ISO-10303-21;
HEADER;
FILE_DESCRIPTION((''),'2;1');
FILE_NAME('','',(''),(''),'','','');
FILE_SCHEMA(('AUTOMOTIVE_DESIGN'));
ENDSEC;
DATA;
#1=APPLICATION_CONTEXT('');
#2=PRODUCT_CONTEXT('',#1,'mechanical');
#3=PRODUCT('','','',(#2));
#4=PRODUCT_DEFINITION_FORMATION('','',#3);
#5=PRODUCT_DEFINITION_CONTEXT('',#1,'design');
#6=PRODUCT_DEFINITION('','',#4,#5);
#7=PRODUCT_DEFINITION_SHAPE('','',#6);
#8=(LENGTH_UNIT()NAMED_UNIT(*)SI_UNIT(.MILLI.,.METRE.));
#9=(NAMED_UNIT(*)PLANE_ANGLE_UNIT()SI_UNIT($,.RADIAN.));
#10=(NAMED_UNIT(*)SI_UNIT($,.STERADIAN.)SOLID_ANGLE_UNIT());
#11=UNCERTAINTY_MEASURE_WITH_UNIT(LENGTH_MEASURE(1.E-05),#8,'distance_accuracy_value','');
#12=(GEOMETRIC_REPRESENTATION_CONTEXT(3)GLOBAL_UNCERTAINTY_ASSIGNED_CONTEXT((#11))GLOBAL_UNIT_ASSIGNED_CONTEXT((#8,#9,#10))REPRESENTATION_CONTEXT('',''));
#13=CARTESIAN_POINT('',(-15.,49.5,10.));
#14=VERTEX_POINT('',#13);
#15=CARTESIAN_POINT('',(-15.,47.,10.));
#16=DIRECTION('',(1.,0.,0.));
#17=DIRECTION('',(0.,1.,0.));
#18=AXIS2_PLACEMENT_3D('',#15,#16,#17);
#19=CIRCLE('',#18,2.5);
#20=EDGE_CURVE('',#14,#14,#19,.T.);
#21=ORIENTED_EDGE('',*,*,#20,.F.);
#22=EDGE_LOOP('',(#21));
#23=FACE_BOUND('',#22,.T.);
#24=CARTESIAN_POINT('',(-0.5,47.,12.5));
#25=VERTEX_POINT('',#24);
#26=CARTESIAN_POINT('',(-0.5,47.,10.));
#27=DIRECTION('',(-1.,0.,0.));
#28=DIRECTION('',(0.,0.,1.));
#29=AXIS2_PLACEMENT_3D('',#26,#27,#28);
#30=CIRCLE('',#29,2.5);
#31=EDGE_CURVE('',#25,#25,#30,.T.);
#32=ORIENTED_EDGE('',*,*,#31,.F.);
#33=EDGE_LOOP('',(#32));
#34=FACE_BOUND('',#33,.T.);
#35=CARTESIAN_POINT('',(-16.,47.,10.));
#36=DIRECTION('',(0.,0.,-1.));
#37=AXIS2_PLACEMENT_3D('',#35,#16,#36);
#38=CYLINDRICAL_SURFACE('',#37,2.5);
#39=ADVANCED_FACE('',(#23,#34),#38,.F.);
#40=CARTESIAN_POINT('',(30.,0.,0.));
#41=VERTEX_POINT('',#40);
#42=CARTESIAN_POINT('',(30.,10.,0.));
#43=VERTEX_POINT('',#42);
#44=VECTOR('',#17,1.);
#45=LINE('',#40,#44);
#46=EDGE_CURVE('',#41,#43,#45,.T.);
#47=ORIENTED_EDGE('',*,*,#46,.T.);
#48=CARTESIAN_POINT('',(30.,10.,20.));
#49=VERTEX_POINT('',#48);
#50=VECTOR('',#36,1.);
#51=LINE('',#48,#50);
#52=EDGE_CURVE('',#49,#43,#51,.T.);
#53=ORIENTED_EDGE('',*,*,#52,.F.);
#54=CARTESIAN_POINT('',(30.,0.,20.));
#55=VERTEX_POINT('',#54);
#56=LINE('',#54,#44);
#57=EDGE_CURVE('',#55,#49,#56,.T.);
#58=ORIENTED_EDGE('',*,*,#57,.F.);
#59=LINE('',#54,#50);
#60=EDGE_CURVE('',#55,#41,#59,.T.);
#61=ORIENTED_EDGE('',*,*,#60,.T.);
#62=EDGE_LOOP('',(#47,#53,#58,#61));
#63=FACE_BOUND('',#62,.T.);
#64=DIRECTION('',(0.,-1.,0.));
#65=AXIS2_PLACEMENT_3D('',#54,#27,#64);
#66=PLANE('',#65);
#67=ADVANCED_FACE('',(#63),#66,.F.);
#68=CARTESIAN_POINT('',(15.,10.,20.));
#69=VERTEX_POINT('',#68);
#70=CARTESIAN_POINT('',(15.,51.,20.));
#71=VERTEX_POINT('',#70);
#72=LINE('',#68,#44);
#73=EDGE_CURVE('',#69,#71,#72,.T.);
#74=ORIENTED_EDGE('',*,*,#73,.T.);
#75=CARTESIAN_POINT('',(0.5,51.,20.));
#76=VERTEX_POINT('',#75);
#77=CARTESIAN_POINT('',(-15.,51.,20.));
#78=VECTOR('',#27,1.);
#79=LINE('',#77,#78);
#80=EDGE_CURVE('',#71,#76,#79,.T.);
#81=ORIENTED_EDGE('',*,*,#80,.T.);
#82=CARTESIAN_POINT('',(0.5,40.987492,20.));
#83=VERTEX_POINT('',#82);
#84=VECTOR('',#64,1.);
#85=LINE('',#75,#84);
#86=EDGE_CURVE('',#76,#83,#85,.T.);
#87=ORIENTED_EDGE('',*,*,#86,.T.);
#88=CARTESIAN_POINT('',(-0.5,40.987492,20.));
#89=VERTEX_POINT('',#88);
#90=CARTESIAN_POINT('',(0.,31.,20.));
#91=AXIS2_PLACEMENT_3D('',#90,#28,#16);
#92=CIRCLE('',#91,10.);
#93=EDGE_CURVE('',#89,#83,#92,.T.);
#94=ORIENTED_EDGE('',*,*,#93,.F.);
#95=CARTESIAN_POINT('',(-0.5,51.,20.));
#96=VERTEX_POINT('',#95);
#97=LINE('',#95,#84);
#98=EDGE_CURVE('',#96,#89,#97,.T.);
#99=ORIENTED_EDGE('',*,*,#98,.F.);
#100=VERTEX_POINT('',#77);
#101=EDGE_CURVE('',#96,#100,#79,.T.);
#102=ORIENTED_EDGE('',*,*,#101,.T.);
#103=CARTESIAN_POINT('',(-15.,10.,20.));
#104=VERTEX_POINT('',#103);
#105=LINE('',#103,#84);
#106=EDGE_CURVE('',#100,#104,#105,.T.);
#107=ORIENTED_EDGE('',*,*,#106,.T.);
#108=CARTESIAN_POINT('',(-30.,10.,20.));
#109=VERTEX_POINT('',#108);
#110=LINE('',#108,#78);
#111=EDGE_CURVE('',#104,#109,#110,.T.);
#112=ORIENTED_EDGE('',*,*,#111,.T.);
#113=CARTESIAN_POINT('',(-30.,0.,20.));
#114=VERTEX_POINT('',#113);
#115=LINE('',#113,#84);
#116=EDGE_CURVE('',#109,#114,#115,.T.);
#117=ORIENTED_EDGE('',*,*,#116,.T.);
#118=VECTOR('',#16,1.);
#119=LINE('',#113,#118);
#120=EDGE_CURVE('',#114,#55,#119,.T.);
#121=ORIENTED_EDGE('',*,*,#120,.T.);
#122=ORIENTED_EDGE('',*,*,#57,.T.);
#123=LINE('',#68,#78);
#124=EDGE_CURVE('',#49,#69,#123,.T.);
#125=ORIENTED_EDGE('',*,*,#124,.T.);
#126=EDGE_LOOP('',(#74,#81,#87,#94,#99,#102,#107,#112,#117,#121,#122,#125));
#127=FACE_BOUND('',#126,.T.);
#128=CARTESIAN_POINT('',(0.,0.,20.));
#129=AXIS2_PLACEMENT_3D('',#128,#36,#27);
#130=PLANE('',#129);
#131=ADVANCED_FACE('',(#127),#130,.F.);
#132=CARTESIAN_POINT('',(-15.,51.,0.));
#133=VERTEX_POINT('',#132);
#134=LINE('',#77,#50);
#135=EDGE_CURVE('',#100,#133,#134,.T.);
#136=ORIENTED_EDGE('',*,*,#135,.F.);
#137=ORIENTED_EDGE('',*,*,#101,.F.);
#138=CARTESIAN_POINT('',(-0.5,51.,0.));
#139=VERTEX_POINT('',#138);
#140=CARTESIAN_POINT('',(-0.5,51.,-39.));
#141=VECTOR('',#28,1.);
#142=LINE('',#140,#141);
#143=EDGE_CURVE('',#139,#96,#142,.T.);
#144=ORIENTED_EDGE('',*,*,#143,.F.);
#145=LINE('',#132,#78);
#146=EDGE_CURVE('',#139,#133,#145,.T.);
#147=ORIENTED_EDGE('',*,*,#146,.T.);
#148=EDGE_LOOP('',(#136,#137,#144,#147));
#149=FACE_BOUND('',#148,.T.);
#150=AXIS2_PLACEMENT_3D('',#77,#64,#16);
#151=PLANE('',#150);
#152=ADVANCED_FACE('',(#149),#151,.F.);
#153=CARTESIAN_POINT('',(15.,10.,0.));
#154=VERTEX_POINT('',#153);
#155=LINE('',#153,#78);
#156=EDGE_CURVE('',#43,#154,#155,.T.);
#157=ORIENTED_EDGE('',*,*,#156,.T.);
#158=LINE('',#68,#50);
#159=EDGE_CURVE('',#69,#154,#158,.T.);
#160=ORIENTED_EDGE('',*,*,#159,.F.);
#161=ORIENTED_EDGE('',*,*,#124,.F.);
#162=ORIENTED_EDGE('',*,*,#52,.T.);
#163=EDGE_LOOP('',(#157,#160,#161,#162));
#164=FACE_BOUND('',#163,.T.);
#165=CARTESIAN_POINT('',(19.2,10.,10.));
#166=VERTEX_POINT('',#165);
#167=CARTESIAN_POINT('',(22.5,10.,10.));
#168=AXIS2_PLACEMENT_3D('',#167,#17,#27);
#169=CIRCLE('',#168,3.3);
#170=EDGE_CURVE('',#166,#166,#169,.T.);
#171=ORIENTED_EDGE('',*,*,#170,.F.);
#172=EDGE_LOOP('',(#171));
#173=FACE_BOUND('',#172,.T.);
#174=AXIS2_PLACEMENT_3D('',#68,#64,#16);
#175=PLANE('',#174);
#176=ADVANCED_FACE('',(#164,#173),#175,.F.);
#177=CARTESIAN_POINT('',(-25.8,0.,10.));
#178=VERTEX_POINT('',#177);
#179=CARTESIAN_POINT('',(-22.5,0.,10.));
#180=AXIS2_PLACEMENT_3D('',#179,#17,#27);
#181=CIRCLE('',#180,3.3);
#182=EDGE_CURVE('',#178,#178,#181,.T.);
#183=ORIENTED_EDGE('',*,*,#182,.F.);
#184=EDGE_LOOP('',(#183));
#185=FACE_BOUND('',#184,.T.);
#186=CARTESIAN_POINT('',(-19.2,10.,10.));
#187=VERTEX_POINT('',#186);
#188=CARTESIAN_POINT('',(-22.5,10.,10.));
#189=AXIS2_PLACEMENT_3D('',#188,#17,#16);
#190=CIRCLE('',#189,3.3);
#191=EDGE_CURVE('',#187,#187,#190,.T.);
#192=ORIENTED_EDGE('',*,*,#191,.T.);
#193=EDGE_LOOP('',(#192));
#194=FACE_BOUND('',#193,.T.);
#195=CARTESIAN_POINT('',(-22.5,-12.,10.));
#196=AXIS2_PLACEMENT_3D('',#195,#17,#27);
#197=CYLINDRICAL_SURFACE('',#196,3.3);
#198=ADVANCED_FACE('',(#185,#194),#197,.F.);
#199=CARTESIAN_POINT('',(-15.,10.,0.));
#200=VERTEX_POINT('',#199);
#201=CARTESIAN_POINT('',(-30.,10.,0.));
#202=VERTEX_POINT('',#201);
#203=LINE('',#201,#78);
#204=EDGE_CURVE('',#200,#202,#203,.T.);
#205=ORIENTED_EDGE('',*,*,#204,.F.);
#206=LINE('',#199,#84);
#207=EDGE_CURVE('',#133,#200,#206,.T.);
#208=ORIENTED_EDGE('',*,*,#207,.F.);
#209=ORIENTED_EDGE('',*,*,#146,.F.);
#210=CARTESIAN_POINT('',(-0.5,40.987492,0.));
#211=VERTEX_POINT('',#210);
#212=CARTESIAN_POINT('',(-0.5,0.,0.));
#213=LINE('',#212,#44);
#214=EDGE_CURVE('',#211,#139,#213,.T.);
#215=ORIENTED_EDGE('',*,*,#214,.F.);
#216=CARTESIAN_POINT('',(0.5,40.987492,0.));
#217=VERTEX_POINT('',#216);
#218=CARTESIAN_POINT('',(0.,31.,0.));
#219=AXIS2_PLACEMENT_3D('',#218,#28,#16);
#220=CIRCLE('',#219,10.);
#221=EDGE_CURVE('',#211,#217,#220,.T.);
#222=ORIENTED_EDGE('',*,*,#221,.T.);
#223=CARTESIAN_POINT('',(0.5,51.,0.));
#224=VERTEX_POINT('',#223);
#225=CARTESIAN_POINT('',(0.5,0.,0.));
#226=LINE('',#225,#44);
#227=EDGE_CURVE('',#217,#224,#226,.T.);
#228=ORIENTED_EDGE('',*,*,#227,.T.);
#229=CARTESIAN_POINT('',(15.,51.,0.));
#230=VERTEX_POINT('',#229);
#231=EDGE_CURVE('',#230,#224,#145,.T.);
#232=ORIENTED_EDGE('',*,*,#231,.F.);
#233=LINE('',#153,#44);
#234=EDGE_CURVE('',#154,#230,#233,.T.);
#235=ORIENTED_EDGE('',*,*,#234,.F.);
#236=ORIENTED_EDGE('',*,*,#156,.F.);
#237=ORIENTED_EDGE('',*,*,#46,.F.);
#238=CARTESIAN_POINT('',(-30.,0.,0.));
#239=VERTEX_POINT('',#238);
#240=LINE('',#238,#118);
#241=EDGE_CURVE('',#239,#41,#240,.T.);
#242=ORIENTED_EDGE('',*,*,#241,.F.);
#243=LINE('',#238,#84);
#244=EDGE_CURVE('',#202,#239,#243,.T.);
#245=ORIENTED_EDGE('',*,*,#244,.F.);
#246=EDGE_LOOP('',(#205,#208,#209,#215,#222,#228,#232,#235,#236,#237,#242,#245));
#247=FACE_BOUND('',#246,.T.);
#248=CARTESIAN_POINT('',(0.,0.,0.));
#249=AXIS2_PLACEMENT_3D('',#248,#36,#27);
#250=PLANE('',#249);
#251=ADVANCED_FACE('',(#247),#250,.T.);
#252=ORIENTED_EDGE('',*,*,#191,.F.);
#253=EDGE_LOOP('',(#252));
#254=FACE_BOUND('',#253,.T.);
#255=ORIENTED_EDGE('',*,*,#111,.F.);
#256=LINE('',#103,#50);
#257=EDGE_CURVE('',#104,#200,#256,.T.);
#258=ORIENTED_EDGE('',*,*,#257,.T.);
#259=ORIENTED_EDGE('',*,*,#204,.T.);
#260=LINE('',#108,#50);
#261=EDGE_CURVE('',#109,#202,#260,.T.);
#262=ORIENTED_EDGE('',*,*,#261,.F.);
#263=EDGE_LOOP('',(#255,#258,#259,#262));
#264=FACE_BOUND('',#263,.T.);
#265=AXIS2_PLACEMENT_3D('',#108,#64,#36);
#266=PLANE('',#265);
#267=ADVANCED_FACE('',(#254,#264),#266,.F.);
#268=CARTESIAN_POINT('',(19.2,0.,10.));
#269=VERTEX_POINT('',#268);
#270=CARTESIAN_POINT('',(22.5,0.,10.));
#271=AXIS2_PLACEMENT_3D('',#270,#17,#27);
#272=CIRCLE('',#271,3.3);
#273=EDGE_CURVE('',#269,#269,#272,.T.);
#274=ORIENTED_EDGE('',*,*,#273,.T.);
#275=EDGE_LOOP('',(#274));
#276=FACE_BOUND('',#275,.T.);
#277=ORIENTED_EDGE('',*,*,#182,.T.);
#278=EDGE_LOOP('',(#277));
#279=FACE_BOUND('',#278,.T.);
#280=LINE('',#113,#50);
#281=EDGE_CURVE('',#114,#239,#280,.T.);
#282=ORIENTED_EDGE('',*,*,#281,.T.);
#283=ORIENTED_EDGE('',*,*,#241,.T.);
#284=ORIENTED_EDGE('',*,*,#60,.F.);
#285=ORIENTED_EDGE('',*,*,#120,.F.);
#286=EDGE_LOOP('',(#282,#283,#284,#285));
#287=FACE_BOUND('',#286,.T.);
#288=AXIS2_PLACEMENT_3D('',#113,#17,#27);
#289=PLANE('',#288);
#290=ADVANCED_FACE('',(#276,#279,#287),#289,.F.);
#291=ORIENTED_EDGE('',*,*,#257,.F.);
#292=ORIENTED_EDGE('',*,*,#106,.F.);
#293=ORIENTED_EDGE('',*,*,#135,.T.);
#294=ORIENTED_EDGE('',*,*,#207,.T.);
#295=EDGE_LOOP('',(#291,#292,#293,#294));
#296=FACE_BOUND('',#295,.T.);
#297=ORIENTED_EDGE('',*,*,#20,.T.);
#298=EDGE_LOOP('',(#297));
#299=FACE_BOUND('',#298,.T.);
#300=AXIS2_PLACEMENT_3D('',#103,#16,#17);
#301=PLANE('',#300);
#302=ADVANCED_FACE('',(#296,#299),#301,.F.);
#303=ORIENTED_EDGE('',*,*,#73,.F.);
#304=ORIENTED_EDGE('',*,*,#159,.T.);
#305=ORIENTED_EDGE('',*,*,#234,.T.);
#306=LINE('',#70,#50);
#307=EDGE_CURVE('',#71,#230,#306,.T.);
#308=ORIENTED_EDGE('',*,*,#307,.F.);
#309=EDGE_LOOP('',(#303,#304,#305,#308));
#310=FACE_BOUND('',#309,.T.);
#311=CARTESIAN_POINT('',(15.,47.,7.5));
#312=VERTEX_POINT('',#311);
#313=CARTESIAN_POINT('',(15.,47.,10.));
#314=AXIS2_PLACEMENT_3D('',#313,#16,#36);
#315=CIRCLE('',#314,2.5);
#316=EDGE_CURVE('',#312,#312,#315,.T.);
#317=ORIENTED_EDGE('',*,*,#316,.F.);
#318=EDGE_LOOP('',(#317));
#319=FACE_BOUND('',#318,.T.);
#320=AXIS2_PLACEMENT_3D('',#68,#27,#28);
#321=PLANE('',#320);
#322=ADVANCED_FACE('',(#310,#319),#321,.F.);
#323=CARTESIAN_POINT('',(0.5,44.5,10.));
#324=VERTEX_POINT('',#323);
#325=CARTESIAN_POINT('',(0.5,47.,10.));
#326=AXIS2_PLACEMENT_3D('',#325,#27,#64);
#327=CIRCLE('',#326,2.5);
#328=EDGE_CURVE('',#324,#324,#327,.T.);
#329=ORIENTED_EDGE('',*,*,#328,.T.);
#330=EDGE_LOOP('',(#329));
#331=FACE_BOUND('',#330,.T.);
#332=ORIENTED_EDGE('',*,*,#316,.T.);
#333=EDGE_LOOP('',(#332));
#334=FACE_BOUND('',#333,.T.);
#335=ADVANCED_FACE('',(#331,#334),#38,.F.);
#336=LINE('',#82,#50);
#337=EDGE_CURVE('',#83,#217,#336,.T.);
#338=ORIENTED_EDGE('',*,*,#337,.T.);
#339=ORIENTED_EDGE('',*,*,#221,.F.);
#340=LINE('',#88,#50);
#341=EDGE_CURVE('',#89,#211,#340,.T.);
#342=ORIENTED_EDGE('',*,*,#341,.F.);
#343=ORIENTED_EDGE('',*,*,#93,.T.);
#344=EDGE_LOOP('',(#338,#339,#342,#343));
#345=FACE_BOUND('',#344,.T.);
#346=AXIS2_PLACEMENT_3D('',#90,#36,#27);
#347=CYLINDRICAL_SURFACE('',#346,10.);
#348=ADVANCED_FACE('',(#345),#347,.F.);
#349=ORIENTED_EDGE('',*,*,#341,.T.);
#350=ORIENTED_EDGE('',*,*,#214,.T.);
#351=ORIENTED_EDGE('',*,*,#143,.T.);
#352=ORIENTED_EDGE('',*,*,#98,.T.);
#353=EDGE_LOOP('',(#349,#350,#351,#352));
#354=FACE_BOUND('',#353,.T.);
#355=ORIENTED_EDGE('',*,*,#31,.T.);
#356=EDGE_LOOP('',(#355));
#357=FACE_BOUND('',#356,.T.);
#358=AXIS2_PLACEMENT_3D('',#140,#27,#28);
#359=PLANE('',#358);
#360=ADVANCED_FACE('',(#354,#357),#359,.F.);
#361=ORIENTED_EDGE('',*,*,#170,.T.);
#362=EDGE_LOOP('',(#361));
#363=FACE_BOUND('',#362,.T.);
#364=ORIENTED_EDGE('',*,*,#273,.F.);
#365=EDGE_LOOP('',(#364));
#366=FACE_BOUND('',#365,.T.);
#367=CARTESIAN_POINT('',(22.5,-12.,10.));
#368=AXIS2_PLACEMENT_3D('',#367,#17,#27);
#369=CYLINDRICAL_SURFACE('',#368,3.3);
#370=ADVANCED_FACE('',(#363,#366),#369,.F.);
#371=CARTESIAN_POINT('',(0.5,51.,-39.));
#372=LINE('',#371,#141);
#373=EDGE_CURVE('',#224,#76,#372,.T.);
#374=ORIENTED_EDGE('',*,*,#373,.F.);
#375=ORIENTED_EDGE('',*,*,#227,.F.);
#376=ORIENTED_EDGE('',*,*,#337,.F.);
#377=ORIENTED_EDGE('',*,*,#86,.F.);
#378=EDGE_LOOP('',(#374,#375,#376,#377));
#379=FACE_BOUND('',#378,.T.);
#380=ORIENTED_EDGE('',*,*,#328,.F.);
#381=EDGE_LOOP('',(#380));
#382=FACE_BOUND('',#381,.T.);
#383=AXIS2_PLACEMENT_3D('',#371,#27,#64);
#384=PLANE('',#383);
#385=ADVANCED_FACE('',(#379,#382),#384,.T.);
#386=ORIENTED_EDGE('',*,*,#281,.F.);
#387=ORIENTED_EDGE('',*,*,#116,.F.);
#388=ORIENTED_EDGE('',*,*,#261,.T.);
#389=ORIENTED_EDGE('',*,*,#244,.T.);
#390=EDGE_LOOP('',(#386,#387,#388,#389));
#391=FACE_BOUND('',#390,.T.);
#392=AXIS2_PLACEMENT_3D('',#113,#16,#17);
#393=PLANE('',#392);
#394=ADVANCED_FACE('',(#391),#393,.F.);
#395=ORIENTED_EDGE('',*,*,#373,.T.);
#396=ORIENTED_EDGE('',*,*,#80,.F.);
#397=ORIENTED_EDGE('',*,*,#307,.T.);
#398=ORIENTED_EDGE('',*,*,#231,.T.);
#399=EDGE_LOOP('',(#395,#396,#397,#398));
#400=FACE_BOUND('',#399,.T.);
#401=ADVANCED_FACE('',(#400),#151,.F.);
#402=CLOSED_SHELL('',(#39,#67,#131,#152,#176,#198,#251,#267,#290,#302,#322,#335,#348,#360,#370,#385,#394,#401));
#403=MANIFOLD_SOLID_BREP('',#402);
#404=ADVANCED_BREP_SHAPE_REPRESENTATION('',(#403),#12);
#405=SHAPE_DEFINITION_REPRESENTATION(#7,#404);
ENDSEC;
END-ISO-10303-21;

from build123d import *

# Parameters (mm, degrees)
SKETCH1_R           = 10
BOSS_EXTRUDE1_DEPTH = 20
SKETCH3_W           = 1
SKETCH3_H           = 10.850896804
CUT_EXTRUDE1_DEPTH  = 59
SKETCH2_R           = 2.5
CUT_EXTRUDE3_DEPTH  = 31
SKETCH5_R           = 3.3
CUT_EXTRUDE5_DEPTH  = 22


with BuildPart() as part:
    # Sketch1 → Boss-Extrude1 (new body)
    with BuildSketch(Plane.XY):
        Polygon((-30, 0), (30, 0), (30, 10), (15, 10), (15, 51), (-15, 51), (-15, 10), (-30, 10), align=None)
        with Locations((0, 31)):
            Circle(SKETCH1_R, mode=Mode.SUBTRACT)
    extrude(amount=BOSS_EXTRUDE1_DEPTH)

    # Sketch3 → Cut-Extrude1 (cut)
    with BuildSketch(Plane.XY.offset(20)):
        with Locations((0, 45.574551598)):
            Rectangle(SKETCH3_W, SKETCH3_H)
    extrude(amount=-CUT_EXTRUDE1_DEPTH, mode=Mode.SUBTRACT)

    # Sketch2 → Cut-Extrude3 (cut)
    with BuildSketch(Plane(origin=(15, 0, 0), x_dir=(0, 0, -1), z_dir=(1, 0, 0))):
        with Locations((-10, 47)):
            Circle(SKETCH2_R)
    extrude(amount=-CUT_EXTRUDE3_DEPTH, mode=Mode.SUBTRACT)

    # Sketch5 → Cut-Extrude5 (cut)
    with BuildSketch(Plane(origin=(0, 10, 0), x_dir=(1, 0, 0), z_dir=(0, 1, 0))):
        with Locations((22.5, -10)):
            Circle(SKETCH5_R)
        with Locations((-22.5, -10)):
            Circle(SKETCH5_R)
    extrude(amount=-CUT_EXTRUDE5_DEPTH, mode=Mode.SUBTRACT)


solid = part.part
